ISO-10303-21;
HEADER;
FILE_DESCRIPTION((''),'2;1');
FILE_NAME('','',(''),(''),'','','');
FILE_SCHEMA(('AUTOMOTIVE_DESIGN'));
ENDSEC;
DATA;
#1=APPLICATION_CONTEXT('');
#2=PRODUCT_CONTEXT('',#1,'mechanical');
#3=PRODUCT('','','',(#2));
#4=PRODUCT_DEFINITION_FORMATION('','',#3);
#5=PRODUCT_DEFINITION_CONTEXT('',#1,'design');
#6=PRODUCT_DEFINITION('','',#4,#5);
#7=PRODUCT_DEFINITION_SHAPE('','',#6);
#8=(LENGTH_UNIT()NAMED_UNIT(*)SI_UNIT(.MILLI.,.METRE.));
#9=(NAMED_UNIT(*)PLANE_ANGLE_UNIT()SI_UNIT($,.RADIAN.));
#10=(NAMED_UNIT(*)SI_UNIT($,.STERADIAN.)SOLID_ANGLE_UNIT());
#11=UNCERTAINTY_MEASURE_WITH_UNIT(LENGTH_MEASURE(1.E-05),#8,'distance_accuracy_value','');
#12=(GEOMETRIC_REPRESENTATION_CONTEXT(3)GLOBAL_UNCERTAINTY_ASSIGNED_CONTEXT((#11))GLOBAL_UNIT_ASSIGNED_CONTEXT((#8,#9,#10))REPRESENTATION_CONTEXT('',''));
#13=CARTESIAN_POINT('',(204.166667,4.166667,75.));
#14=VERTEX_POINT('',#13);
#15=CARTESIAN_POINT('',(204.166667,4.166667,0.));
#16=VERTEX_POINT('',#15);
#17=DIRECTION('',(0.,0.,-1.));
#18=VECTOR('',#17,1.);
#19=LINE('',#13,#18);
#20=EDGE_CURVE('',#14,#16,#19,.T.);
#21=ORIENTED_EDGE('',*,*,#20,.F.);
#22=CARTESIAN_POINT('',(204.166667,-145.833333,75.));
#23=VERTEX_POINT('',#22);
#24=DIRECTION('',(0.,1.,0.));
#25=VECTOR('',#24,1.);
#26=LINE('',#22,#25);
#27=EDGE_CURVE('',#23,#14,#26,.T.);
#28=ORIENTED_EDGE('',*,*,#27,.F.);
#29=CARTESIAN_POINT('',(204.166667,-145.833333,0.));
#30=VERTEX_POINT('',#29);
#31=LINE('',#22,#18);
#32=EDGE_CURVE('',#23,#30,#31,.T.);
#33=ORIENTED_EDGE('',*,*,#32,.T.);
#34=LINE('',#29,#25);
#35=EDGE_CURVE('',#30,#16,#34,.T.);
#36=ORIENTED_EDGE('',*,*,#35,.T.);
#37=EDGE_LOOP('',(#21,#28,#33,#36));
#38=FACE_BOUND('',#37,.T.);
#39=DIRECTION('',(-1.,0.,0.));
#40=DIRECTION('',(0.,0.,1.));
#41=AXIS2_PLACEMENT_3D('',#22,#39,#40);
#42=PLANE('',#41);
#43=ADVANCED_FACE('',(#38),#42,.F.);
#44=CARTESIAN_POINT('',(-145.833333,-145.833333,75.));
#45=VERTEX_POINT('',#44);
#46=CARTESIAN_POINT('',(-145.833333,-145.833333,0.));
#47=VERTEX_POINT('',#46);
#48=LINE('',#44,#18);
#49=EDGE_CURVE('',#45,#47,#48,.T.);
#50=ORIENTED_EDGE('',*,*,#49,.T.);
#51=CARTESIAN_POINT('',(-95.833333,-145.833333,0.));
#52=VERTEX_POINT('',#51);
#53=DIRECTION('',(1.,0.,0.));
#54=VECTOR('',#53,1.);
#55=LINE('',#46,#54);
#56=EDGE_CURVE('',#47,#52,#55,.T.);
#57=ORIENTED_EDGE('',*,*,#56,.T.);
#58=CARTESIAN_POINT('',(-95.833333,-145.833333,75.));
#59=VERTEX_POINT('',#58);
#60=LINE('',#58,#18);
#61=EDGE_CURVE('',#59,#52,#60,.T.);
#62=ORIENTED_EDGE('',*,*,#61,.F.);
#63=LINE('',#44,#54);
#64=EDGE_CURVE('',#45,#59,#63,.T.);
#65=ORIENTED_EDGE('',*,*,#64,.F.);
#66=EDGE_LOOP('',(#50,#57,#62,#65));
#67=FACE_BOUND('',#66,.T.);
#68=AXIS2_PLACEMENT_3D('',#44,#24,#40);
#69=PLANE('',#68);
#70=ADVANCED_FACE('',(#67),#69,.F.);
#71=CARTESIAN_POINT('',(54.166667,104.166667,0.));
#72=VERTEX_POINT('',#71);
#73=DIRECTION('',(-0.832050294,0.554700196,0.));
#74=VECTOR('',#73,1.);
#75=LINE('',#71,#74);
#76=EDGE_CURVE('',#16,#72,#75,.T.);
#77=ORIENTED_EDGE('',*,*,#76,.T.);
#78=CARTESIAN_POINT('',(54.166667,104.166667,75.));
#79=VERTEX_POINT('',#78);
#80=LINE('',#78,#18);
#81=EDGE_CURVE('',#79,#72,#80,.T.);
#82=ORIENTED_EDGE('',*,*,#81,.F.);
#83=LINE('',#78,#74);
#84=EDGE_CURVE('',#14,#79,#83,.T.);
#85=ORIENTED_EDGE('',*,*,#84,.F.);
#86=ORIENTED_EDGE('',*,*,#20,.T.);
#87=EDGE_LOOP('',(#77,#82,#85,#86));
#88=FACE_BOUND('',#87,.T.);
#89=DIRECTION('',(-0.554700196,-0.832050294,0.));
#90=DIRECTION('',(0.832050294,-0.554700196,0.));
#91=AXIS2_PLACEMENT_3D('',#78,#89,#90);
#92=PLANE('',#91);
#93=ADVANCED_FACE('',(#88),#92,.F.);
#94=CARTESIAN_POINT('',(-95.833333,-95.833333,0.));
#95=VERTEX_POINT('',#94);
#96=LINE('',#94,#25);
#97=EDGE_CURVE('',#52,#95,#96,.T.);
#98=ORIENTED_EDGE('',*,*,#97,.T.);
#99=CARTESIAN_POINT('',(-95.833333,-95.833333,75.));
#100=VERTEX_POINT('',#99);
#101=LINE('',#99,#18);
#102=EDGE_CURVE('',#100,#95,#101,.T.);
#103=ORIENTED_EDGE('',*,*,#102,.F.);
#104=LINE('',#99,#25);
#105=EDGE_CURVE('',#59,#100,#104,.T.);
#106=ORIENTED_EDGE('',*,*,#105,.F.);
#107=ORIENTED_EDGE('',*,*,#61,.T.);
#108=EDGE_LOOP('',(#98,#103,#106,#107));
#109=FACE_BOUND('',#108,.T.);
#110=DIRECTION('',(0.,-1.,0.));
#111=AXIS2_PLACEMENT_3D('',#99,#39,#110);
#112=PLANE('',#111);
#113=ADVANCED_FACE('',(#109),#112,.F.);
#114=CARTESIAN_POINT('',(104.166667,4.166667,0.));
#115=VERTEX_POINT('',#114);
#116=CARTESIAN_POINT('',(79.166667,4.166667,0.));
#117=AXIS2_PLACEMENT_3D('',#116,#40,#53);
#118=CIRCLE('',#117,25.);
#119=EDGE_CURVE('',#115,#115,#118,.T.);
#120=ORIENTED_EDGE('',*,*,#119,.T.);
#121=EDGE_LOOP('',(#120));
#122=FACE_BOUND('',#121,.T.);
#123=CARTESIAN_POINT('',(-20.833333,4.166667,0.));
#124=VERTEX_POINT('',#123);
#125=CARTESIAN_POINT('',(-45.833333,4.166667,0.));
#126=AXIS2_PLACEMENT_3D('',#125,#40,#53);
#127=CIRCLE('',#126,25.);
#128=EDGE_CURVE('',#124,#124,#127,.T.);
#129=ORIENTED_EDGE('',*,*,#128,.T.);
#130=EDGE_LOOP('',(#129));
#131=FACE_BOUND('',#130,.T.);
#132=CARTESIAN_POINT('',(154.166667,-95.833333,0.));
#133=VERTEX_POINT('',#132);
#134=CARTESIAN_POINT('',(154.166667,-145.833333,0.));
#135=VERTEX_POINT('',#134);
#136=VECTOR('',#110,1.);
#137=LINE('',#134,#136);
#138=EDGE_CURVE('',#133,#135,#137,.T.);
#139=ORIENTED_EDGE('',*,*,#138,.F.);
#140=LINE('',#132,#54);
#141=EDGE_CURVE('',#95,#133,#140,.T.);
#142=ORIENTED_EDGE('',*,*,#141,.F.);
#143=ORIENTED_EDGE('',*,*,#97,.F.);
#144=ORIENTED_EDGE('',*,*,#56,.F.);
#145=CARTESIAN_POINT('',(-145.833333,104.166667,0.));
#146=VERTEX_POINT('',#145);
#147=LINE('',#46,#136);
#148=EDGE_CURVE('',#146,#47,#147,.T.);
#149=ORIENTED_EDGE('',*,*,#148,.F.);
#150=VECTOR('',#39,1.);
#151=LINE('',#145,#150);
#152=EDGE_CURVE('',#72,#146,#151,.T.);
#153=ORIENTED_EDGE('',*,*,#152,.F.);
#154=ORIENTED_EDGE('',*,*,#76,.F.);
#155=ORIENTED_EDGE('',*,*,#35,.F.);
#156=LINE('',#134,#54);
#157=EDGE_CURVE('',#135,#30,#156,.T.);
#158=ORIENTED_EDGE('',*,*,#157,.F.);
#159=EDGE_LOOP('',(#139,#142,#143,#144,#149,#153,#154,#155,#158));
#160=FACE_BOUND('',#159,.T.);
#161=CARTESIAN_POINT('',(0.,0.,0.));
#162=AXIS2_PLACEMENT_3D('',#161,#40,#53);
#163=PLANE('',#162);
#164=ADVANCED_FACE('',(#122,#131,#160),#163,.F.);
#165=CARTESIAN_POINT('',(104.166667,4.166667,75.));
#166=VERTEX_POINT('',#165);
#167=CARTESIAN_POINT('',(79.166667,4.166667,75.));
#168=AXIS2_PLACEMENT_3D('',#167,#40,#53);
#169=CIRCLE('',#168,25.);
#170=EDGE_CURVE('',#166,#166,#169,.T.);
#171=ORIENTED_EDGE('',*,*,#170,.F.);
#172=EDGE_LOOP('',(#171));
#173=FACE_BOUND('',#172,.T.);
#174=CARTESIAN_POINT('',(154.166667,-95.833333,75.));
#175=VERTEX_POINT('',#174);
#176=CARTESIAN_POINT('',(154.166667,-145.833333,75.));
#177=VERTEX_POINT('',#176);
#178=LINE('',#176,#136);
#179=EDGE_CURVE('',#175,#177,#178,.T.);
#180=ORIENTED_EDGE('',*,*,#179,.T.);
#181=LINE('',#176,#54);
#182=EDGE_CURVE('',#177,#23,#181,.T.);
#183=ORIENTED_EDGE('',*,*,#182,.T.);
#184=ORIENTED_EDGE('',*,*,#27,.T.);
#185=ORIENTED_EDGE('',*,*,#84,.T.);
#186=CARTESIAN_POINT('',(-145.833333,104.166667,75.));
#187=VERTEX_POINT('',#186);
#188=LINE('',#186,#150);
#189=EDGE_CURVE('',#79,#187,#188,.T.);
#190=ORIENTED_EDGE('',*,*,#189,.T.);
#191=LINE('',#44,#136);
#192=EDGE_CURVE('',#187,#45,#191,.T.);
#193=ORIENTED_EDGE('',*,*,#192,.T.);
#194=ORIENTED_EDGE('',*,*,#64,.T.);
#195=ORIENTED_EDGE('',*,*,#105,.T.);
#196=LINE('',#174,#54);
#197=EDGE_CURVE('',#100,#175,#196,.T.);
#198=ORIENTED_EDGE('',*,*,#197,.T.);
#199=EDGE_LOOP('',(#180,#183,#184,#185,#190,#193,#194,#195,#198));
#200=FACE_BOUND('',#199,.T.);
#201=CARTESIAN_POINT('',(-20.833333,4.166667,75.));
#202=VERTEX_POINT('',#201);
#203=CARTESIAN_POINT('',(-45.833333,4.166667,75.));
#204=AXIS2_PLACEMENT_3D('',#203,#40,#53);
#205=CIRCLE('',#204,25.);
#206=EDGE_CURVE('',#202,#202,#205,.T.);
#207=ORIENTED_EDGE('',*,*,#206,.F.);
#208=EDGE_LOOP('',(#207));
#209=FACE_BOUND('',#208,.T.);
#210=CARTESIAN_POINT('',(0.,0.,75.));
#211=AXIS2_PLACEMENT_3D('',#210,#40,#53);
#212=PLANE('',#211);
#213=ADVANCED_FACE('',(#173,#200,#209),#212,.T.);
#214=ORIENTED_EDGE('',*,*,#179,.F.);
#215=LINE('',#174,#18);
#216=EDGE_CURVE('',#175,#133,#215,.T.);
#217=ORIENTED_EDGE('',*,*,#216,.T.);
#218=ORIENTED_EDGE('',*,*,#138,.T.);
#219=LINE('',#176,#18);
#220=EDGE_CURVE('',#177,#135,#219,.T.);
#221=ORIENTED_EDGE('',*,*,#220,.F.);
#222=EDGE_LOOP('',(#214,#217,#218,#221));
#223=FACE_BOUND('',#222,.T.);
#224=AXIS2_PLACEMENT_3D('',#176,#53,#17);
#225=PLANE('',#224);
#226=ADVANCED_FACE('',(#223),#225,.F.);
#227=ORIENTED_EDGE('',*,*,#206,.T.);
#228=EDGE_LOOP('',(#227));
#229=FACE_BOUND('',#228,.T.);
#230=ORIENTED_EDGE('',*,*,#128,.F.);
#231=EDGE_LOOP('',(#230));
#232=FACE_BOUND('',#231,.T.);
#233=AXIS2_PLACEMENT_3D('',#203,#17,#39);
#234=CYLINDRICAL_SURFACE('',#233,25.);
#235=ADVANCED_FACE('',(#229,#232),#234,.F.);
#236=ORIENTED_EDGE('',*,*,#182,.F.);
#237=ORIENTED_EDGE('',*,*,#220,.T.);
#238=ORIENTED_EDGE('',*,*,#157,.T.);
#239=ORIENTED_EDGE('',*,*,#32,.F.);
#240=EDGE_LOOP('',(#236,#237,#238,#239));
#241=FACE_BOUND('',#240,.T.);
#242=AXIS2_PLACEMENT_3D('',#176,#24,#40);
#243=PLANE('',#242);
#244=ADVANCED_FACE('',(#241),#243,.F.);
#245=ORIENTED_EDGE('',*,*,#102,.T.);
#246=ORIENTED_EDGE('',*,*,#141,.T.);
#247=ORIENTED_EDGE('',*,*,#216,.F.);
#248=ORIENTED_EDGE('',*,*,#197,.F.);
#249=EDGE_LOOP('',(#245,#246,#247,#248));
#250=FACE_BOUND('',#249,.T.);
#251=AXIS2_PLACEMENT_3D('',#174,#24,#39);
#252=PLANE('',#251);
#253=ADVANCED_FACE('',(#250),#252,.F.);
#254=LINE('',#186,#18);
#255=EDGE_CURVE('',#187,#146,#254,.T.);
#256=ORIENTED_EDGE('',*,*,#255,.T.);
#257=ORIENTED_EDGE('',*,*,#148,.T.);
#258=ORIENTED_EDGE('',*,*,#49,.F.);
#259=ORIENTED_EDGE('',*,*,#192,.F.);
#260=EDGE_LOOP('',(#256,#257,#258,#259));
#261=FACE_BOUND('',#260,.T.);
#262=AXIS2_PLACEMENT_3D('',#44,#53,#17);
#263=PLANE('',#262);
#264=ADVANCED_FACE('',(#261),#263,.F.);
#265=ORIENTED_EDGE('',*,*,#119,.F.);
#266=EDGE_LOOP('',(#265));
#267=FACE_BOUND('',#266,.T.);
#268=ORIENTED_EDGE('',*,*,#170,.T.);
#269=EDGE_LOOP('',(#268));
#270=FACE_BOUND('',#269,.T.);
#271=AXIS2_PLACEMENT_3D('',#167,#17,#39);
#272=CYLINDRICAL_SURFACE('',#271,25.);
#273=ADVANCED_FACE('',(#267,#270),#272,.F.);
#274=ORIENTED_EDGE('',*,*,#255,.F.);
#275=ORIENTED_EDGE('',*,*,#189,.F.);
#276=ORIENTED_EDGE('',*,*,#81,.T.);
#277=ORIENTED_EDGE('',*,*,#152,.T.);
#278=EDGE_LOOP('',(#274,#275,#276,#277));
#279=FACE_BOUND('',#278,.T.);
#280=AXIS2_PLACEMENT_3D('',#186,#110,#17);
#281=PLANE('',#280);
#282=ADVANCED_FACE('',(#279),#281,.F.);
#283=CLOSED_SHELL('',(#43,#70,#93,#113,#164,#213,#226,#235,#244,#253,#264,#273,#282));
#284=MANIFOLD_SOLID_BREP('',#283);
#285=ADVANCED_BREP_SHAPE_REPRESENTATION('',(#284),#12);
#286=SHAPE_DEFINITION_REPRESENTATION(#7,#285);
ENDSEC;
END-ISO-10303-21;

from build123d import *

# Parameters (mm, degrees)
SKETCH1_R           = 25
BOSS_EXTRUDE1_DEPTH = 75


with BuildPart() as part:
    # Sketch1 → Boss-Extrude1 (new body)
    with BuildSketch(Plane.XY):
        Polygon((54.166666667, 104.166666667), (204.166666667, 4.166666667), (204.166666667, -145.833333333), (154.166666667, -145.833333333), (154.166666667, -95.833333333), (-95.833333333, -95.833333333), (-95.833333333, -145.833333333), (-145.833333333, -145.833333333), (-145.833333333, 104.166666667), align=None)
        with Locations((79.166666667, 4.166666667)):
            Circle(SKETCH1_R, mode=Mode.SUBTRACT)
        with Locations((-45.833333333, 4.166666667)):
            Circle(SKETCH1_R, mode=Mode.SUBTRACT)
    extrude(amount=BOSS_EXTRUDE1_DEPTH)


solid = part.part
